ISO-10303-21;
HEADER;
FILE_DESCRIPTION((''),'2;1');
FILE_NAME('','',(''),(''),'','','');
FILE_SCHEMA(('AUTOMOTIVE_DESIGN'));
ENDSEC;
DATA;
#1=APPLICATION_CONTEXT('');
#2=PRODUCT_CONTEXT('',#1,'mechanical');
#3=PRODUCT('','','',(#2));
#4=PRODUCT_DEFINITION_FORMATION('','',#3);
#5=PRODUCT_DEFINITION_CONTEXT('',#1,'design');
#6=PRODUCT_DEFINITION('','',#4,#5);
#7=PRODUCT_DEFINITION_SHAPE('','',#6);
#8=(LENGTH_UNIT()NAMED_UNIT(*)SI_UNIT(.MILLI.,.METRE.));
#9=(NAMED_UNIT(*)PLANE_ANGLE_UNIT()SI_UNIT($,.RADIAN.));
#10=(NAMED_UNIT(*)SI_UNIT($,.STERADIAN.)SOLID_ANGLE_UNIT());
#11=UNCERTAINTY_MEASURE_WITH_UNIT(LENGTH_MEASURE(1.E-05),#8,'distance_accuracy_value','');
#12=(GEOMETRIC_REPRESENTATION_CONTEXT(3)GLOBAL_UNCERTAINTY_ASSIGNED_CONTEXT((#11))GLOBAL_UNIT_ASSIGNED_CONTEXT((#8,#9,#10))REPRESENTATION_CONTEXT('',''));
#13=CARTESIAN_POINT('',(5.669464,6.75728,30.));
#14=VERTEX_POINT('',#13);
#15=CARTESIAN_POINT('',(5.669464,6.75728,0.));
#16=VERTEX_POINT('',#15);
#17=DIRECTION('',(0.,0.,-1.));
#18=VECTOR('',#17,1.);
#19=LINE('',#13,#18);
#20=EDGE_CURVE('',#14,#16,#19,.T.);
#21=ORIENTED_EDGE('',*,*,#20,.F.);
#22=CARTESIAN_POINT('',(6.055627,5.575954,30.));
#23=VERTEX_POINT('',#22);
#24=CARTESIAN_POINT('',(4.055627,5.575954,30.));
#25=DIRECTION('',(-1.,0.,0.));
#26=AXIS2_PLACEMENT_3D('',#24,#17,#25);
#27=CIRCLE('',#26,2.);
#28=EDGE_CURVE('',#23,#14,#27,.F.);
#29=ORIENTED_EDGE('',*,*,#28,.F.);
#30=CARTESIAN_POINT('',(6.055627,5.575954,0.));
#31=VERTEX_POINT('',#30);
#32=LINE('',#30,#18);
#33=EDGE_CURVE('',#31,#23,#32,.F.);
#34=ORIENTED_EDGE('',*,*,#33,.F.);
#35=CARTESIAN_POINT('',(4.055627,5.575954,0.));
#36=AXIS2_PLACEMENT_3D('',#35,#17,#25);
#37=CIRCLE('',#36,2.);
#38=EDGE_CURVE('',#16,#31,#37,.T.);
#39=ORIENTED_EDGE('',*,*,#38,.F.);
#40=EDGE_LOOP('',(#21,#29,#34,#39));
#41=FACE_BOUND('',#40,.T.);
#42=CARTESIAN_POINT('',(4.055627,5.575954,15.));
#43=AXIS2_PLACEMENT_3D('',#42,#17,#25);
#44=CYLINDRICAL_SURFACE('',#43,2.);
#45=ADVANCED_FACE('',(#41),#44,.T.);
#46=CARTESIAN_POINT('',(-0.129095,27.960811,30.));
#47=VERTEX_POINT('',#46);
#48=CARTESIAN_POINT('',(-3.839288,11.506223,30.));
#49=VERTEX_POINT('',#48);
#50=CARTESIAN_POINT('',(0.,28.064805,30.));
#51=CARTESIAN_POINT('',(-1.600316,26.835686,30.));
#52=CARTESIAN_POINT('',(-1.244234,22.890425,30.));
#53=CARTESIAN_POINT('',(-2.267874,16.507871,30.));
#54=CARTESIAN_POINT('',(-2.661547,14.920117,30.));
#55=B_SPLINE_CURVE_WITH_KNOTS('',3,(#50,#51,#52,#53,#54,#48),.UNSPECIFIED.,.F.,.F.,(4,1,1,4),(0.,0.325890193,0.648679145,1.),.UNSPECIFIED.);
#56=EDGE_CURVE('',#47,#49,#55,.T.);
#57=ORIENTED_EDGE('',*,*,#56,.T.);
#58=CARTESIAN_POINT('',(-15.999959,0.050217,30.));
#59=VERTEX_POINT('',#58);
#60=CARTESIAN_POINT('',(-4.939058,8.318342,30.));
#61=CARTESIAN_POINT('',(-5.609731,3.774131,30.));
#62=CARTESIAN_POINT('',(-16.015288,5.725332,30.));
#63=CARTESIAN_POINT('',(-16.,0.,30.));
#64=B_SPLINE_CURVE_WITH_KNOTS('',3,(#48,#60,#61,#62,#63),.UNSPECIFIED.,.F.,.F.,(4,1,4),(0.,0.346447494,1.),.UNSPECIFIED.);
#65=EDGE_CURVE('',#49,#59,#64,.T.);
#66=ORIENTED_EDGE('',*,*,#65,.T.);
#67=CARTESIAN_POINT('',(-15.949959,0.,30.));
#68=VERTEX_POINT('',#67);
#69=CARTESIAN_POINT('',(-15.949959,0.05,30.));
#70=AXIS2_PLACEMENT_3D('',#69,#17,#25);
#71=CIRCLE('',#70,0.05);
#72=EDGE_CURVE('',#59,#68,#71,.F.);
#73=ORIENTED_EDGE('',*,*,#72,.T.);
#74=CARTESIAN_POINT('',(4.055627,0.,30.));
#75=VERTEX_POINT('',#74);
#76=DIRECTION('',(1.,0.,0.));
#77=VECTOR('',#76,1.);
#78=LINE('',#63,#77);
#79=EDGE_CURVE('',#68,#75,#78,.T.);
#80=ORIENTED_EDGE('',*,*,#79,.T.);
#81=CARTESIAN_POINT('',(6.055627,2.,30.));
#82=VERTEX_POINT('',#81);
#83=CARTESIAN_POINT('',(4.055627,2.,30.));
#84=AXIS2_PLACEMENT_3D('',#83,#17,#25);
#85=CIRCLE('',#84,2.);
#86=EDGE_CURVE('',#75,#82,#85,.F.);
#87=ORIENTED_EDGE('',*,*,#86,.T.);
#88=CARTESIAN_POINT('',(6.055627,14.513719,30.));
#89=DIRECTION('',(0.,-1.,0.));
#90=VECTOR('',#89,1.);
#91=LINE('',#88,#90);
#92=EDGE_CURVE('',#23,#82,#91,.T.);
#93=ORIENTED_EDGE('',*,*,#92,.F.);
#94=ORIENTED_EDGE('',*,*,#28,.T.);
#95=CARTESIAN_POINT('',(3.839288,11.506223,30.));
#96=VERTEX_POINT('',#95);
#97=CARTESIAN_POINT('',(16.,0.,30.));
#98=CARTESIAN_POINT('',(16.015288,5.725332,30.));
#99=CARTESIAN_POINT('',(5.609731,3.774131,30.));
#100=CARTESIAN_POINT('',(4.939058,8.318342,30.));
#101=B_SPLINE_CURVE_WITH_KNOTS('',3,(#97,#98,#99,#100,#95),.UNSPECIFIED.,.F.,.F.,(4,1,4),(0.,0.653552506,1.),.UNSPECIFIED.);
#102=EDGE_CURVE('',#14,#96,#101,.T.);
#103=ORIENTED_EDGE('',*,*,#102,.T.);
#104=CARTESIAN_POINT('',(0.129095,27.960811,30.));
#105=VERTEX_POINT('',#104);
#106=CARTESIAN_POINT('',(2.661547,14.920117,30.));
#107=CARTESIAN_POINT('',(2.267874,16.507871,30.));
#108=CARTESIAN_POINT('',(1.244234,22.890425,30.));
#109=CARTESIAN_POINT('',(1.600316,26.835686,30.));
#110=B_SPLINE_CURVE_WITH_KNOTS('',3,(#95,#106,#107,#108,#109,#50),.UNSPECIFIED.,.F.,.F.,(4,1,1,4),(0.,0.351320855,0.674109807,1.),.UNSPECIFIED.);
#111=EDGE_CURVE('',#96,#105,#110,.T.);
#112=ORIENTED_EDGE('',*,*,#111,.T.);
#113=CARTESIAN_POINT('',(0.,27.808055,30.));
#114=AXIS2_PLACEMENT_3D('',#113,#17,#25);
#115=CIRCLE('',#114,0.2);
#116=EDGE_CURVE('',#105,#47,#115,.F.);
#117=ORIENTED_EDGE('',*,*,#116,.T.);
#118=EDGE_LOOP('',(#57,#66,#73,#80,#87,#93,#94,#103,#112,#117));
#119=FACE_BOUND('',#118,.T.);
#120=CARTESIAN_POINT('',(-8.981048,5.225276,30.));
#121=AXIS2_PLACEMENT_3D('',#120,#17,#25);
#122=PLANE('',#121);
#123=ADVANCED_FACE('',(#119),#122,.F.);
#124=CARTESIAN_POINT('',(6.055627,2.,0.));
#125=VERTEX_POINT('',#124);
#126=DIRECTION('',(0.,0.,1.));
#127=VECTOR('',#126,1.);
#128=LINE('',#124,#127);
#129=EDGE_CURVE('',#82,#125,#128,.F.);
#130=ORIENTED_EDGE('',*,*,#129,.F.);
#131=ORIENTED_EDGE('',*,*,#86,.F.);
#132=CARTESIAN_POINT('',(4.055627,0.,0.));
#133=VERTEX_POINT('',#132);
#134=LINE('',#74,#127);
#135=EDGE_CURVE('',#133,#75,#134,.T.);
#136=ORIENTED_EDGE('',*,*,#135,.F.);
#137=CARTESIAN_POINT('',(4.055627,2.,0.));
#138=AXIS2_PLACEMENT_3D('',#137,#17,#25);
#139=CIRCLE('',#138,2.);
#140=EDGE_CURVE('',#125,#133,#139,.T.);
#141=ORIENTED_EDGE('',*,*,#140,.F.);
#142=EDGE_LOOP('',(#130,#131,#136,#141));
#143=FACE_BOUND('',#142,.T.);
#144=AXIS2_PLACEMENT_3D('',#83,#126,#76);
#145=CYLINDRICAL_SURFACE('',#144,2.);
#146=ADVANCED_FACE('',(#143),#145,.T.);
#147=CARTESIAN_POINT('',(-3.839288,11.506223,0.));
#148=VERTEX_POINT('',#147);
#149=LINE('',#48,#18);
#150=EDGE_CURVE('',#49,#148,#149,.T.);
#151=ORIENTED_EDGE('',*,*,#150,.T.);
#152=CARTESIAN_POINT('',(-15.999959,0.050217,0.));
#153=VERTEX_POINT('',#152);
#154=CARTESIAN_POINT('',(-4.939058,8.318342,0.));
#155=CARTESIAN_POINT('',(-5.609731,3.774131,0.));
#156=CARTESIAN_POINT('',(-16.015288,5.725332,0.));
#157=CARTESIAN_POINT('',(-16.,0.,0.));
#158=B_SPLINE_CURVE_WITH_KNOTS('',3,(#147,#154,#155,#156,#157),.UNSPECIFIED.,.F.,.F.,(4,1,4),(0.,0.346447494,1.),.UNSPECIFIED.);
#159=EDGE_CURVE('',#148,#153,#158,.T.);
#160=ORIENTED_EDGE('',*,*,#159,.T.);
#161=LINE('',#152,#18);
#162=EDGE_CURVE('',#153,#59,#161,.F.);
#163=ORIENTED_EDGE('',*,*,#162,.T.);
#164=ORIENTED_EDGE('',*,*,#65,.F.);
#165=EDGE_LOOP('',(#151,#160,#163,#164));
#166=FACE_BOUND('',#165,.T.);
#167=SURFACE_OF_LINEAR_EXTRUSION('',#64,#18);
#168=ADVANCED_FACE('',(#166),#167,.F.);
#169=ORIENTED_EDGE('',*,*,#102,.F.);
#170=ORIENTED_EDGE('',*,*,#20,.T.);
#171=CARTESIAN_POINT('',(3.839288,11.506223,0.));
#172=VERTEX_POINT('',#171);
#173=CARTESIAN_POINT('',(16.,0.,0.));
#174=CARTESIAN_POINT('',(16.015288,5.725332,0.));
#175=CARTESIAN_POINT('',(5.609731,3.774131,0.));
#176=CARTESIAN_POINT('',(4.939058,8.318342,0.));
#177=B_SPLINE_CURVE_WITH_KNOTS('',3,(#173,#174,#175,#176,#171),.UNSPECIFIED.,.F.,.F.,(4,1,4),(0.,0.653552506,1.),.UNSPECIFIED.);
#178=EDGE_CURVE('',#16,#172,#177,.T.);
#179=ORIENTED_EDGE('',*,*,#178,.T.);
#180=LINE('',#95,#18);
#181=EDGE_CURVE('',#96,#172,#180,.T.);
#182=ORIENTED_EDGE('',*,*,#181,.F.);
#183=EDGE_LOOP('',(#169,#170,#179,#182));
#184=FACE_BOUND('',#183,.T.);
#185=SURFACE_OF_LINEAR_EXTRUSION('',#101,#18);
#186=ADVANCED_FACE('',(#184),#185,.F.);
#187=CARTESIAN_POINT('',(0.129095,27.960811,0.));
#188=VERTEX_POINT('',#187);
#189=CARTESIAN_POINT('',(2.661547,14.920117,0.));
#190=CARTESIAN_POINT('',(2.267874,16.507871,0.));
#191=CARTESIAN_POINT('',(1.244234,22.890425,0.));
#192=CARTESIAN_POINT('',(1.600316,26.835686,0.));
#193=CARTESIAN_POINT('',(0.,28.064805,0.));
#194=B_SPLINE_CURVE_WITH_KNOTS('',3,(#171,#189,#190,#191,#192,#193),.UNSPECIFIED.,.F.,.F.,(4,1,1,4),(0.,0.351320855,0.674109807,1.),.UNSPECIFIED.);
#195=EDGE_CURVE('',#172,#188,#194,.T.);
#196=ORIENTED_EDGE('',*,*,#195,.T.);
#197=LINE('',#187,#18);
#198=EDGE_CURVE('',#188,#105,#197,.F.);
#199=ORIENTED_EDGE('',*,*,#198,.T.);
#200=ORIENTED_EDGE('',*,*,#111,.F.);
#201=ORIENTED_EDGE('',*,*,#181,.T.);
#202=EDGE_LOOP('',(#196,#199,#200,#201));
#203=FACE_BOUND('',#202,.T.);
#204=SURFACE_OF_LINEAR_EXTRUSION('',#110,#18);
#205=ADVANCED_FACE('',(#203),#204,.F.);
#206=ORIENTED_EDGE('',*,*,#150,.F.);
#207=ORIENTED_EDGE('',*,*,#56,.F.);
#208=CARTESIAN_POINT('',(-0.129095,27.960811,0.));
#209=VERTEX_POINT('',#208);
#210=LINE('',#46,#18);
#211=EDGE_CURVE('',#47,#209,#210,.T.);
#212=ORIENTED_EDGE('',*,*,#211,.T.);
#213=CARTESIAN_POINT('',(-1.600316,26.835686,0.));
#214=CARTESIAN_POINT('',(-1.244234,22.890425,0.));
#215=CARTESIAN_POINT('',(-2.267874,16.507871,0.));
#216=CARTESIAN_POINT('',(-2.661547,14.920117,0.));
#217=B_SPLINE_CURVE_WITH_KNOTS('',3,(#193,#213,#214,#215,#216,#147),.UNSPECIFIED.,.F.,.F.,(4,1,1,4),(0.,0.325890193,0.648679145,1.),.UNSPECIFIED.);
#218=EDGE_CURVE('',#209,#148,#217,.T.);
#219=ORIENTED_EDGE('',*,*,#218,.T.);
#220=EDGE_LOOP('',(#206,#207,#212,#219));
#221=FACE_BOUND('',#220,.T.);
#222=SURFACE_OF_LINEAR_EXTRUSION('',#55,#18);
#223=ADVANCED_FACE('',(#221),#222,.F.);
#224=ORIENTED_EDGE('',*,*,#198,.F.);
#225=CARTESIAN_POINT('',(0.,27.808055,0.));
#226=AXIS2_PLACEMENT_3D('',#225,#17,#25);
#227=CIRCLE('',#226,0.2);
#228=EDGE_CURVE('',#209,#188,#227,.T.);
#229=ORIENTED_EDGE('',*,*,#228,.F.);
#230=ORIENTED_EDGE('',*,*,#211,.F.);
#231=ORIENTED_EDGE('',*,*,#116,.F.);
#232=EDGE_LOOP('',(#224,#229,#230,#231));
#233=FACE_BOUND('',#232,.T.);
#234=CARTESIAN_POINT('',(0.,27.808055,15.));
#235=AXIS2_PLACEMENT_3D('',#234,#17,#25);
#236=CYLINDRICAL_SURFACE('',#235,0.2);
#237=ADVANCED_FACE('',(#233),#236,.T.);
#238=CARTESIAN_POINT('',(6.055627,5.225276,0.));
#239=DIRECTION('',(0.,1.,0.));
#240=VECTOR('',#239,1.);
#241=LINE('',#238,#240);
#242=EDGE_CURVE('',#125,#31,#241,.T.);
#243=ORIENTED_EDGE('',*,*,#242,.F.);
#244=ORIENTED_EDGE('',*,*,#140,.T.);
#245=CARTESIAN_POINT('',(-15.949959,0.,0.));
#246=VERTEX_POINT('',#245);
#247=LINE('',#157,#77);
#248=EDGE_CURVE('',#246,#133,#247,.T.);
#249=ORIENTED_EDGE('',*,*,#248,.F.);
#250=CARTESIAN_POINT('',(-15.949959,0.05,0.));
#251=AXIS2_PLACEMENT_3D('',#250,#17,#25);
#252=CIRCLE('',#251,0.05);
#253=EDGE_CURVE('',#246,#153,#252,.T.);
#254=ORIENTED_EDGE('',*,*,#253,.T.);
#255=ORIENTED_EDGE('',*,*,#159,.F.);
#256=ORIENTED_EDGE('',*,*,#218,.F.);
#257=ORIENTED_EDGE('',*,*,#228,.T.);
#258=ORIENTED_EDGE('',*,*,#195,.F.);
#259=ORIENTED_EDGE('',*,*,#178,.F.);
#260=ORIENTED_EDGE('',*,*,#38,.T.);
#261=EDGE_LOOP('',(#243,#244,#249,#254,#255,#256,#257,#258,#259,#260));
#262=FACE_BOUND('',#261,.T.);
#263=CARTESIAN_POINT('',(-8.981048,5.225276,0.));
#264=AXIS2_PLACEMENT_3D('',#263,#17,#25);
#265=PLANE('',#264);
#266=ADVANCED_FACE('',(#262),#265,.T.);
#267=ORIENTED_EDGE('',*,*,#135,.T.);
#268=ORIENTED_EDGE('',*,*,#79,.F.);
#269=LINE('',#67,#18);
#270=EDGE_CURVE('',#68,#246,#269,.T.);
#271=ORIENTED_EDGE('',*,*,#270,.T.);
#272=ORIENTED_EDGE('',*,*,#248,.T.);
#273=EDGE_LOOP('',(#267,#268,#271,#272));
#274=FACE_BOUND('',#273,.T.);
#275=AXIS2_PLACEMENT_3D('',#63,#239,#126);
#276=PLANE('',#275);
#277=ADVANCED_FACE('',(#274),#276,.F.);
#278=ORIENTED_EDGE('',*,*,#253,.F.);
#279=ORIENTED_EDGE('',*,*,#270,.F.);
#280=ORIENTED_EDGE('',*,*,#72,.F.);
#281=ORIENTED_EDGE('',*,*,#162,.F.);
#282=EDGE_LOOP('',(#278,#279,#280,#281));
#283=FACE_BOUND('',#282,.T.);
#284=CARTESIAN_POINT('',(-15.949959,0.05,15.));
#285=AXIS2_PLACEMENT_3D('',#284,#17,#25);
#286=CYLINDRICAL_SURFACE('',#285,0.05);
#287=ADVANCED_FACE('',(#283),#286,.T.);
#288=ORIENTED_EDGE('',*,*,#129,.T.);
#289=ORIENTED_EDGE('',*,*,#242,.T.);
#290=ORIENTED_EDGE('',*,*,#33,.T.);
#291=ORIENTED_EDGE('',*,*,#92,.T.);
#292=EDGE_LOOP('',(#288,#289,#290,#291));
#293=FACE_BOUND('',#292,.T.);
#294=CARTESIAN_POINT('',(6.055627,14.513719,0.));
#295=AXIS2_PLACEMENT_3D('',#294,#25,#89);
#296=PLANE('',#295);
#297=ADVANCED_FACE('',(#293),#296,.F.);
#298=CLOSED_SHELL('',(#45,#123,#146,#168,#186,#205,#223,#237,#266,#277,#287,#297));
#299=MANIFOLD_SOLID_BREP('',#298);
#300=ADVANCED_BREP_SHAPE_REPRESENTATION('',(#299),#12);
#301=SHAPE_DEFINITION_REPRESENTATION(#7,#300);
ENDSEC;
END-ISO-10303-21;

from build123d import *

# Parameters (mm, degrees)
EXTRUDE_1_DEPTH     = 30
SKETCH_2_W          = 50.362012325
SKETCH_2_H          = 20.569427205
CUT_EXTRUDE_1_DEPTH = 30
FILLET_1_R          = 2
FILLET_2_R          = 0.2
FILLET_3_R          = 0.05


with BuildPart() as part:
    # 草图1 → 凸台-拉伸1 (new body)
    with BuildSketch(Plane.XY):
        with BuildLine():
            Line((-16, 0), (16, 0))
            add(Edge.make_bspline(
                [(3.839287923, 11.506222932), (4.93905782, 8.31834192), (5.60973107, 3.774130513), (16.015287623, 5.725331765), (16, 0)],
                knots=[0, 0, 0, 0, 0.346447494, 1, 1, 1, 1], degree=3))
            add(Edge.make_bspline(
                [(3.839287923, 11.506222932), (2.661546976, 14.920117068), (2.26787354, 16.507870906), (1.244234488, 22.89042522), (1.600315557, 26.835685967), (0, 28.064804979)],
                knots=[0, 0, 0, 0, 0.351320855, 0.674109807, 1, 1, 1, 1], degree=3))
            add(Edge.make_bspline(
                [(-3.839287923, 11.506222932), (-2.661546976, 14.920117068), (-2.26787354, 16.507870906), (-1.244234488, 22.89042522), (-1.600315557, 26.835685967), (0, 28.064804979)],
                knots=[0, 0, 0, 0, 0.351320855, 0.674109807, 1, 1, 1, 1], degree=3))
            add(Edge.make_bspline(
                [(-3.839287923, 11.506222932), (-4.93905782, 8.31834192), (-5.60973107, 3.774130513), (-16.015287623, 5.725331765), (-16, 0)],
                knots=[0, 0, 0, 0, 0.346447494, 1, 1, 1, 1], degree=3))
        make_face()
    extrude(amount=EXTRUDE_1_DEPTH)

    # 草图2 → 切除-拉伸1 (cut)
    with BuildSketch(Plane.XY.offset(30)):
        with Locations((31.23663348, 4.229005075)):
            Rectangle(SKETCH_2_W, SKETCH_2_H)
    extrude(amount=-CUT_EXTRUDE_1_DEPTH, mode=Mode.SUBTRACT)

    # 圆角1
    fillet_1_edges = [part.edges().sort_by_distance(p)[0] for p in [
        (6.055627317, 0, 15),
        (6.055627317, 6.323254919, 15),
    ]]
    fillet(fillet_1_edges, radius=FILLET_1_R)

    # 圆角2
    fillet_2_edges = [part.edges().sort_by_distance(p)[0] for p in [
        (0, 28.064804979, 15),
    ]]
    fillet(fillet_2_edges, radius=FILLET_2_R)

    # 圆角3
    fillet_3_edges = [part.edges().sort_by_distance(p)[0] for p in [
        (-16, 0, 15),
    ]]
    fillet(fillet_3_edges, radius=FILLET_3_R)


solid = part.part
